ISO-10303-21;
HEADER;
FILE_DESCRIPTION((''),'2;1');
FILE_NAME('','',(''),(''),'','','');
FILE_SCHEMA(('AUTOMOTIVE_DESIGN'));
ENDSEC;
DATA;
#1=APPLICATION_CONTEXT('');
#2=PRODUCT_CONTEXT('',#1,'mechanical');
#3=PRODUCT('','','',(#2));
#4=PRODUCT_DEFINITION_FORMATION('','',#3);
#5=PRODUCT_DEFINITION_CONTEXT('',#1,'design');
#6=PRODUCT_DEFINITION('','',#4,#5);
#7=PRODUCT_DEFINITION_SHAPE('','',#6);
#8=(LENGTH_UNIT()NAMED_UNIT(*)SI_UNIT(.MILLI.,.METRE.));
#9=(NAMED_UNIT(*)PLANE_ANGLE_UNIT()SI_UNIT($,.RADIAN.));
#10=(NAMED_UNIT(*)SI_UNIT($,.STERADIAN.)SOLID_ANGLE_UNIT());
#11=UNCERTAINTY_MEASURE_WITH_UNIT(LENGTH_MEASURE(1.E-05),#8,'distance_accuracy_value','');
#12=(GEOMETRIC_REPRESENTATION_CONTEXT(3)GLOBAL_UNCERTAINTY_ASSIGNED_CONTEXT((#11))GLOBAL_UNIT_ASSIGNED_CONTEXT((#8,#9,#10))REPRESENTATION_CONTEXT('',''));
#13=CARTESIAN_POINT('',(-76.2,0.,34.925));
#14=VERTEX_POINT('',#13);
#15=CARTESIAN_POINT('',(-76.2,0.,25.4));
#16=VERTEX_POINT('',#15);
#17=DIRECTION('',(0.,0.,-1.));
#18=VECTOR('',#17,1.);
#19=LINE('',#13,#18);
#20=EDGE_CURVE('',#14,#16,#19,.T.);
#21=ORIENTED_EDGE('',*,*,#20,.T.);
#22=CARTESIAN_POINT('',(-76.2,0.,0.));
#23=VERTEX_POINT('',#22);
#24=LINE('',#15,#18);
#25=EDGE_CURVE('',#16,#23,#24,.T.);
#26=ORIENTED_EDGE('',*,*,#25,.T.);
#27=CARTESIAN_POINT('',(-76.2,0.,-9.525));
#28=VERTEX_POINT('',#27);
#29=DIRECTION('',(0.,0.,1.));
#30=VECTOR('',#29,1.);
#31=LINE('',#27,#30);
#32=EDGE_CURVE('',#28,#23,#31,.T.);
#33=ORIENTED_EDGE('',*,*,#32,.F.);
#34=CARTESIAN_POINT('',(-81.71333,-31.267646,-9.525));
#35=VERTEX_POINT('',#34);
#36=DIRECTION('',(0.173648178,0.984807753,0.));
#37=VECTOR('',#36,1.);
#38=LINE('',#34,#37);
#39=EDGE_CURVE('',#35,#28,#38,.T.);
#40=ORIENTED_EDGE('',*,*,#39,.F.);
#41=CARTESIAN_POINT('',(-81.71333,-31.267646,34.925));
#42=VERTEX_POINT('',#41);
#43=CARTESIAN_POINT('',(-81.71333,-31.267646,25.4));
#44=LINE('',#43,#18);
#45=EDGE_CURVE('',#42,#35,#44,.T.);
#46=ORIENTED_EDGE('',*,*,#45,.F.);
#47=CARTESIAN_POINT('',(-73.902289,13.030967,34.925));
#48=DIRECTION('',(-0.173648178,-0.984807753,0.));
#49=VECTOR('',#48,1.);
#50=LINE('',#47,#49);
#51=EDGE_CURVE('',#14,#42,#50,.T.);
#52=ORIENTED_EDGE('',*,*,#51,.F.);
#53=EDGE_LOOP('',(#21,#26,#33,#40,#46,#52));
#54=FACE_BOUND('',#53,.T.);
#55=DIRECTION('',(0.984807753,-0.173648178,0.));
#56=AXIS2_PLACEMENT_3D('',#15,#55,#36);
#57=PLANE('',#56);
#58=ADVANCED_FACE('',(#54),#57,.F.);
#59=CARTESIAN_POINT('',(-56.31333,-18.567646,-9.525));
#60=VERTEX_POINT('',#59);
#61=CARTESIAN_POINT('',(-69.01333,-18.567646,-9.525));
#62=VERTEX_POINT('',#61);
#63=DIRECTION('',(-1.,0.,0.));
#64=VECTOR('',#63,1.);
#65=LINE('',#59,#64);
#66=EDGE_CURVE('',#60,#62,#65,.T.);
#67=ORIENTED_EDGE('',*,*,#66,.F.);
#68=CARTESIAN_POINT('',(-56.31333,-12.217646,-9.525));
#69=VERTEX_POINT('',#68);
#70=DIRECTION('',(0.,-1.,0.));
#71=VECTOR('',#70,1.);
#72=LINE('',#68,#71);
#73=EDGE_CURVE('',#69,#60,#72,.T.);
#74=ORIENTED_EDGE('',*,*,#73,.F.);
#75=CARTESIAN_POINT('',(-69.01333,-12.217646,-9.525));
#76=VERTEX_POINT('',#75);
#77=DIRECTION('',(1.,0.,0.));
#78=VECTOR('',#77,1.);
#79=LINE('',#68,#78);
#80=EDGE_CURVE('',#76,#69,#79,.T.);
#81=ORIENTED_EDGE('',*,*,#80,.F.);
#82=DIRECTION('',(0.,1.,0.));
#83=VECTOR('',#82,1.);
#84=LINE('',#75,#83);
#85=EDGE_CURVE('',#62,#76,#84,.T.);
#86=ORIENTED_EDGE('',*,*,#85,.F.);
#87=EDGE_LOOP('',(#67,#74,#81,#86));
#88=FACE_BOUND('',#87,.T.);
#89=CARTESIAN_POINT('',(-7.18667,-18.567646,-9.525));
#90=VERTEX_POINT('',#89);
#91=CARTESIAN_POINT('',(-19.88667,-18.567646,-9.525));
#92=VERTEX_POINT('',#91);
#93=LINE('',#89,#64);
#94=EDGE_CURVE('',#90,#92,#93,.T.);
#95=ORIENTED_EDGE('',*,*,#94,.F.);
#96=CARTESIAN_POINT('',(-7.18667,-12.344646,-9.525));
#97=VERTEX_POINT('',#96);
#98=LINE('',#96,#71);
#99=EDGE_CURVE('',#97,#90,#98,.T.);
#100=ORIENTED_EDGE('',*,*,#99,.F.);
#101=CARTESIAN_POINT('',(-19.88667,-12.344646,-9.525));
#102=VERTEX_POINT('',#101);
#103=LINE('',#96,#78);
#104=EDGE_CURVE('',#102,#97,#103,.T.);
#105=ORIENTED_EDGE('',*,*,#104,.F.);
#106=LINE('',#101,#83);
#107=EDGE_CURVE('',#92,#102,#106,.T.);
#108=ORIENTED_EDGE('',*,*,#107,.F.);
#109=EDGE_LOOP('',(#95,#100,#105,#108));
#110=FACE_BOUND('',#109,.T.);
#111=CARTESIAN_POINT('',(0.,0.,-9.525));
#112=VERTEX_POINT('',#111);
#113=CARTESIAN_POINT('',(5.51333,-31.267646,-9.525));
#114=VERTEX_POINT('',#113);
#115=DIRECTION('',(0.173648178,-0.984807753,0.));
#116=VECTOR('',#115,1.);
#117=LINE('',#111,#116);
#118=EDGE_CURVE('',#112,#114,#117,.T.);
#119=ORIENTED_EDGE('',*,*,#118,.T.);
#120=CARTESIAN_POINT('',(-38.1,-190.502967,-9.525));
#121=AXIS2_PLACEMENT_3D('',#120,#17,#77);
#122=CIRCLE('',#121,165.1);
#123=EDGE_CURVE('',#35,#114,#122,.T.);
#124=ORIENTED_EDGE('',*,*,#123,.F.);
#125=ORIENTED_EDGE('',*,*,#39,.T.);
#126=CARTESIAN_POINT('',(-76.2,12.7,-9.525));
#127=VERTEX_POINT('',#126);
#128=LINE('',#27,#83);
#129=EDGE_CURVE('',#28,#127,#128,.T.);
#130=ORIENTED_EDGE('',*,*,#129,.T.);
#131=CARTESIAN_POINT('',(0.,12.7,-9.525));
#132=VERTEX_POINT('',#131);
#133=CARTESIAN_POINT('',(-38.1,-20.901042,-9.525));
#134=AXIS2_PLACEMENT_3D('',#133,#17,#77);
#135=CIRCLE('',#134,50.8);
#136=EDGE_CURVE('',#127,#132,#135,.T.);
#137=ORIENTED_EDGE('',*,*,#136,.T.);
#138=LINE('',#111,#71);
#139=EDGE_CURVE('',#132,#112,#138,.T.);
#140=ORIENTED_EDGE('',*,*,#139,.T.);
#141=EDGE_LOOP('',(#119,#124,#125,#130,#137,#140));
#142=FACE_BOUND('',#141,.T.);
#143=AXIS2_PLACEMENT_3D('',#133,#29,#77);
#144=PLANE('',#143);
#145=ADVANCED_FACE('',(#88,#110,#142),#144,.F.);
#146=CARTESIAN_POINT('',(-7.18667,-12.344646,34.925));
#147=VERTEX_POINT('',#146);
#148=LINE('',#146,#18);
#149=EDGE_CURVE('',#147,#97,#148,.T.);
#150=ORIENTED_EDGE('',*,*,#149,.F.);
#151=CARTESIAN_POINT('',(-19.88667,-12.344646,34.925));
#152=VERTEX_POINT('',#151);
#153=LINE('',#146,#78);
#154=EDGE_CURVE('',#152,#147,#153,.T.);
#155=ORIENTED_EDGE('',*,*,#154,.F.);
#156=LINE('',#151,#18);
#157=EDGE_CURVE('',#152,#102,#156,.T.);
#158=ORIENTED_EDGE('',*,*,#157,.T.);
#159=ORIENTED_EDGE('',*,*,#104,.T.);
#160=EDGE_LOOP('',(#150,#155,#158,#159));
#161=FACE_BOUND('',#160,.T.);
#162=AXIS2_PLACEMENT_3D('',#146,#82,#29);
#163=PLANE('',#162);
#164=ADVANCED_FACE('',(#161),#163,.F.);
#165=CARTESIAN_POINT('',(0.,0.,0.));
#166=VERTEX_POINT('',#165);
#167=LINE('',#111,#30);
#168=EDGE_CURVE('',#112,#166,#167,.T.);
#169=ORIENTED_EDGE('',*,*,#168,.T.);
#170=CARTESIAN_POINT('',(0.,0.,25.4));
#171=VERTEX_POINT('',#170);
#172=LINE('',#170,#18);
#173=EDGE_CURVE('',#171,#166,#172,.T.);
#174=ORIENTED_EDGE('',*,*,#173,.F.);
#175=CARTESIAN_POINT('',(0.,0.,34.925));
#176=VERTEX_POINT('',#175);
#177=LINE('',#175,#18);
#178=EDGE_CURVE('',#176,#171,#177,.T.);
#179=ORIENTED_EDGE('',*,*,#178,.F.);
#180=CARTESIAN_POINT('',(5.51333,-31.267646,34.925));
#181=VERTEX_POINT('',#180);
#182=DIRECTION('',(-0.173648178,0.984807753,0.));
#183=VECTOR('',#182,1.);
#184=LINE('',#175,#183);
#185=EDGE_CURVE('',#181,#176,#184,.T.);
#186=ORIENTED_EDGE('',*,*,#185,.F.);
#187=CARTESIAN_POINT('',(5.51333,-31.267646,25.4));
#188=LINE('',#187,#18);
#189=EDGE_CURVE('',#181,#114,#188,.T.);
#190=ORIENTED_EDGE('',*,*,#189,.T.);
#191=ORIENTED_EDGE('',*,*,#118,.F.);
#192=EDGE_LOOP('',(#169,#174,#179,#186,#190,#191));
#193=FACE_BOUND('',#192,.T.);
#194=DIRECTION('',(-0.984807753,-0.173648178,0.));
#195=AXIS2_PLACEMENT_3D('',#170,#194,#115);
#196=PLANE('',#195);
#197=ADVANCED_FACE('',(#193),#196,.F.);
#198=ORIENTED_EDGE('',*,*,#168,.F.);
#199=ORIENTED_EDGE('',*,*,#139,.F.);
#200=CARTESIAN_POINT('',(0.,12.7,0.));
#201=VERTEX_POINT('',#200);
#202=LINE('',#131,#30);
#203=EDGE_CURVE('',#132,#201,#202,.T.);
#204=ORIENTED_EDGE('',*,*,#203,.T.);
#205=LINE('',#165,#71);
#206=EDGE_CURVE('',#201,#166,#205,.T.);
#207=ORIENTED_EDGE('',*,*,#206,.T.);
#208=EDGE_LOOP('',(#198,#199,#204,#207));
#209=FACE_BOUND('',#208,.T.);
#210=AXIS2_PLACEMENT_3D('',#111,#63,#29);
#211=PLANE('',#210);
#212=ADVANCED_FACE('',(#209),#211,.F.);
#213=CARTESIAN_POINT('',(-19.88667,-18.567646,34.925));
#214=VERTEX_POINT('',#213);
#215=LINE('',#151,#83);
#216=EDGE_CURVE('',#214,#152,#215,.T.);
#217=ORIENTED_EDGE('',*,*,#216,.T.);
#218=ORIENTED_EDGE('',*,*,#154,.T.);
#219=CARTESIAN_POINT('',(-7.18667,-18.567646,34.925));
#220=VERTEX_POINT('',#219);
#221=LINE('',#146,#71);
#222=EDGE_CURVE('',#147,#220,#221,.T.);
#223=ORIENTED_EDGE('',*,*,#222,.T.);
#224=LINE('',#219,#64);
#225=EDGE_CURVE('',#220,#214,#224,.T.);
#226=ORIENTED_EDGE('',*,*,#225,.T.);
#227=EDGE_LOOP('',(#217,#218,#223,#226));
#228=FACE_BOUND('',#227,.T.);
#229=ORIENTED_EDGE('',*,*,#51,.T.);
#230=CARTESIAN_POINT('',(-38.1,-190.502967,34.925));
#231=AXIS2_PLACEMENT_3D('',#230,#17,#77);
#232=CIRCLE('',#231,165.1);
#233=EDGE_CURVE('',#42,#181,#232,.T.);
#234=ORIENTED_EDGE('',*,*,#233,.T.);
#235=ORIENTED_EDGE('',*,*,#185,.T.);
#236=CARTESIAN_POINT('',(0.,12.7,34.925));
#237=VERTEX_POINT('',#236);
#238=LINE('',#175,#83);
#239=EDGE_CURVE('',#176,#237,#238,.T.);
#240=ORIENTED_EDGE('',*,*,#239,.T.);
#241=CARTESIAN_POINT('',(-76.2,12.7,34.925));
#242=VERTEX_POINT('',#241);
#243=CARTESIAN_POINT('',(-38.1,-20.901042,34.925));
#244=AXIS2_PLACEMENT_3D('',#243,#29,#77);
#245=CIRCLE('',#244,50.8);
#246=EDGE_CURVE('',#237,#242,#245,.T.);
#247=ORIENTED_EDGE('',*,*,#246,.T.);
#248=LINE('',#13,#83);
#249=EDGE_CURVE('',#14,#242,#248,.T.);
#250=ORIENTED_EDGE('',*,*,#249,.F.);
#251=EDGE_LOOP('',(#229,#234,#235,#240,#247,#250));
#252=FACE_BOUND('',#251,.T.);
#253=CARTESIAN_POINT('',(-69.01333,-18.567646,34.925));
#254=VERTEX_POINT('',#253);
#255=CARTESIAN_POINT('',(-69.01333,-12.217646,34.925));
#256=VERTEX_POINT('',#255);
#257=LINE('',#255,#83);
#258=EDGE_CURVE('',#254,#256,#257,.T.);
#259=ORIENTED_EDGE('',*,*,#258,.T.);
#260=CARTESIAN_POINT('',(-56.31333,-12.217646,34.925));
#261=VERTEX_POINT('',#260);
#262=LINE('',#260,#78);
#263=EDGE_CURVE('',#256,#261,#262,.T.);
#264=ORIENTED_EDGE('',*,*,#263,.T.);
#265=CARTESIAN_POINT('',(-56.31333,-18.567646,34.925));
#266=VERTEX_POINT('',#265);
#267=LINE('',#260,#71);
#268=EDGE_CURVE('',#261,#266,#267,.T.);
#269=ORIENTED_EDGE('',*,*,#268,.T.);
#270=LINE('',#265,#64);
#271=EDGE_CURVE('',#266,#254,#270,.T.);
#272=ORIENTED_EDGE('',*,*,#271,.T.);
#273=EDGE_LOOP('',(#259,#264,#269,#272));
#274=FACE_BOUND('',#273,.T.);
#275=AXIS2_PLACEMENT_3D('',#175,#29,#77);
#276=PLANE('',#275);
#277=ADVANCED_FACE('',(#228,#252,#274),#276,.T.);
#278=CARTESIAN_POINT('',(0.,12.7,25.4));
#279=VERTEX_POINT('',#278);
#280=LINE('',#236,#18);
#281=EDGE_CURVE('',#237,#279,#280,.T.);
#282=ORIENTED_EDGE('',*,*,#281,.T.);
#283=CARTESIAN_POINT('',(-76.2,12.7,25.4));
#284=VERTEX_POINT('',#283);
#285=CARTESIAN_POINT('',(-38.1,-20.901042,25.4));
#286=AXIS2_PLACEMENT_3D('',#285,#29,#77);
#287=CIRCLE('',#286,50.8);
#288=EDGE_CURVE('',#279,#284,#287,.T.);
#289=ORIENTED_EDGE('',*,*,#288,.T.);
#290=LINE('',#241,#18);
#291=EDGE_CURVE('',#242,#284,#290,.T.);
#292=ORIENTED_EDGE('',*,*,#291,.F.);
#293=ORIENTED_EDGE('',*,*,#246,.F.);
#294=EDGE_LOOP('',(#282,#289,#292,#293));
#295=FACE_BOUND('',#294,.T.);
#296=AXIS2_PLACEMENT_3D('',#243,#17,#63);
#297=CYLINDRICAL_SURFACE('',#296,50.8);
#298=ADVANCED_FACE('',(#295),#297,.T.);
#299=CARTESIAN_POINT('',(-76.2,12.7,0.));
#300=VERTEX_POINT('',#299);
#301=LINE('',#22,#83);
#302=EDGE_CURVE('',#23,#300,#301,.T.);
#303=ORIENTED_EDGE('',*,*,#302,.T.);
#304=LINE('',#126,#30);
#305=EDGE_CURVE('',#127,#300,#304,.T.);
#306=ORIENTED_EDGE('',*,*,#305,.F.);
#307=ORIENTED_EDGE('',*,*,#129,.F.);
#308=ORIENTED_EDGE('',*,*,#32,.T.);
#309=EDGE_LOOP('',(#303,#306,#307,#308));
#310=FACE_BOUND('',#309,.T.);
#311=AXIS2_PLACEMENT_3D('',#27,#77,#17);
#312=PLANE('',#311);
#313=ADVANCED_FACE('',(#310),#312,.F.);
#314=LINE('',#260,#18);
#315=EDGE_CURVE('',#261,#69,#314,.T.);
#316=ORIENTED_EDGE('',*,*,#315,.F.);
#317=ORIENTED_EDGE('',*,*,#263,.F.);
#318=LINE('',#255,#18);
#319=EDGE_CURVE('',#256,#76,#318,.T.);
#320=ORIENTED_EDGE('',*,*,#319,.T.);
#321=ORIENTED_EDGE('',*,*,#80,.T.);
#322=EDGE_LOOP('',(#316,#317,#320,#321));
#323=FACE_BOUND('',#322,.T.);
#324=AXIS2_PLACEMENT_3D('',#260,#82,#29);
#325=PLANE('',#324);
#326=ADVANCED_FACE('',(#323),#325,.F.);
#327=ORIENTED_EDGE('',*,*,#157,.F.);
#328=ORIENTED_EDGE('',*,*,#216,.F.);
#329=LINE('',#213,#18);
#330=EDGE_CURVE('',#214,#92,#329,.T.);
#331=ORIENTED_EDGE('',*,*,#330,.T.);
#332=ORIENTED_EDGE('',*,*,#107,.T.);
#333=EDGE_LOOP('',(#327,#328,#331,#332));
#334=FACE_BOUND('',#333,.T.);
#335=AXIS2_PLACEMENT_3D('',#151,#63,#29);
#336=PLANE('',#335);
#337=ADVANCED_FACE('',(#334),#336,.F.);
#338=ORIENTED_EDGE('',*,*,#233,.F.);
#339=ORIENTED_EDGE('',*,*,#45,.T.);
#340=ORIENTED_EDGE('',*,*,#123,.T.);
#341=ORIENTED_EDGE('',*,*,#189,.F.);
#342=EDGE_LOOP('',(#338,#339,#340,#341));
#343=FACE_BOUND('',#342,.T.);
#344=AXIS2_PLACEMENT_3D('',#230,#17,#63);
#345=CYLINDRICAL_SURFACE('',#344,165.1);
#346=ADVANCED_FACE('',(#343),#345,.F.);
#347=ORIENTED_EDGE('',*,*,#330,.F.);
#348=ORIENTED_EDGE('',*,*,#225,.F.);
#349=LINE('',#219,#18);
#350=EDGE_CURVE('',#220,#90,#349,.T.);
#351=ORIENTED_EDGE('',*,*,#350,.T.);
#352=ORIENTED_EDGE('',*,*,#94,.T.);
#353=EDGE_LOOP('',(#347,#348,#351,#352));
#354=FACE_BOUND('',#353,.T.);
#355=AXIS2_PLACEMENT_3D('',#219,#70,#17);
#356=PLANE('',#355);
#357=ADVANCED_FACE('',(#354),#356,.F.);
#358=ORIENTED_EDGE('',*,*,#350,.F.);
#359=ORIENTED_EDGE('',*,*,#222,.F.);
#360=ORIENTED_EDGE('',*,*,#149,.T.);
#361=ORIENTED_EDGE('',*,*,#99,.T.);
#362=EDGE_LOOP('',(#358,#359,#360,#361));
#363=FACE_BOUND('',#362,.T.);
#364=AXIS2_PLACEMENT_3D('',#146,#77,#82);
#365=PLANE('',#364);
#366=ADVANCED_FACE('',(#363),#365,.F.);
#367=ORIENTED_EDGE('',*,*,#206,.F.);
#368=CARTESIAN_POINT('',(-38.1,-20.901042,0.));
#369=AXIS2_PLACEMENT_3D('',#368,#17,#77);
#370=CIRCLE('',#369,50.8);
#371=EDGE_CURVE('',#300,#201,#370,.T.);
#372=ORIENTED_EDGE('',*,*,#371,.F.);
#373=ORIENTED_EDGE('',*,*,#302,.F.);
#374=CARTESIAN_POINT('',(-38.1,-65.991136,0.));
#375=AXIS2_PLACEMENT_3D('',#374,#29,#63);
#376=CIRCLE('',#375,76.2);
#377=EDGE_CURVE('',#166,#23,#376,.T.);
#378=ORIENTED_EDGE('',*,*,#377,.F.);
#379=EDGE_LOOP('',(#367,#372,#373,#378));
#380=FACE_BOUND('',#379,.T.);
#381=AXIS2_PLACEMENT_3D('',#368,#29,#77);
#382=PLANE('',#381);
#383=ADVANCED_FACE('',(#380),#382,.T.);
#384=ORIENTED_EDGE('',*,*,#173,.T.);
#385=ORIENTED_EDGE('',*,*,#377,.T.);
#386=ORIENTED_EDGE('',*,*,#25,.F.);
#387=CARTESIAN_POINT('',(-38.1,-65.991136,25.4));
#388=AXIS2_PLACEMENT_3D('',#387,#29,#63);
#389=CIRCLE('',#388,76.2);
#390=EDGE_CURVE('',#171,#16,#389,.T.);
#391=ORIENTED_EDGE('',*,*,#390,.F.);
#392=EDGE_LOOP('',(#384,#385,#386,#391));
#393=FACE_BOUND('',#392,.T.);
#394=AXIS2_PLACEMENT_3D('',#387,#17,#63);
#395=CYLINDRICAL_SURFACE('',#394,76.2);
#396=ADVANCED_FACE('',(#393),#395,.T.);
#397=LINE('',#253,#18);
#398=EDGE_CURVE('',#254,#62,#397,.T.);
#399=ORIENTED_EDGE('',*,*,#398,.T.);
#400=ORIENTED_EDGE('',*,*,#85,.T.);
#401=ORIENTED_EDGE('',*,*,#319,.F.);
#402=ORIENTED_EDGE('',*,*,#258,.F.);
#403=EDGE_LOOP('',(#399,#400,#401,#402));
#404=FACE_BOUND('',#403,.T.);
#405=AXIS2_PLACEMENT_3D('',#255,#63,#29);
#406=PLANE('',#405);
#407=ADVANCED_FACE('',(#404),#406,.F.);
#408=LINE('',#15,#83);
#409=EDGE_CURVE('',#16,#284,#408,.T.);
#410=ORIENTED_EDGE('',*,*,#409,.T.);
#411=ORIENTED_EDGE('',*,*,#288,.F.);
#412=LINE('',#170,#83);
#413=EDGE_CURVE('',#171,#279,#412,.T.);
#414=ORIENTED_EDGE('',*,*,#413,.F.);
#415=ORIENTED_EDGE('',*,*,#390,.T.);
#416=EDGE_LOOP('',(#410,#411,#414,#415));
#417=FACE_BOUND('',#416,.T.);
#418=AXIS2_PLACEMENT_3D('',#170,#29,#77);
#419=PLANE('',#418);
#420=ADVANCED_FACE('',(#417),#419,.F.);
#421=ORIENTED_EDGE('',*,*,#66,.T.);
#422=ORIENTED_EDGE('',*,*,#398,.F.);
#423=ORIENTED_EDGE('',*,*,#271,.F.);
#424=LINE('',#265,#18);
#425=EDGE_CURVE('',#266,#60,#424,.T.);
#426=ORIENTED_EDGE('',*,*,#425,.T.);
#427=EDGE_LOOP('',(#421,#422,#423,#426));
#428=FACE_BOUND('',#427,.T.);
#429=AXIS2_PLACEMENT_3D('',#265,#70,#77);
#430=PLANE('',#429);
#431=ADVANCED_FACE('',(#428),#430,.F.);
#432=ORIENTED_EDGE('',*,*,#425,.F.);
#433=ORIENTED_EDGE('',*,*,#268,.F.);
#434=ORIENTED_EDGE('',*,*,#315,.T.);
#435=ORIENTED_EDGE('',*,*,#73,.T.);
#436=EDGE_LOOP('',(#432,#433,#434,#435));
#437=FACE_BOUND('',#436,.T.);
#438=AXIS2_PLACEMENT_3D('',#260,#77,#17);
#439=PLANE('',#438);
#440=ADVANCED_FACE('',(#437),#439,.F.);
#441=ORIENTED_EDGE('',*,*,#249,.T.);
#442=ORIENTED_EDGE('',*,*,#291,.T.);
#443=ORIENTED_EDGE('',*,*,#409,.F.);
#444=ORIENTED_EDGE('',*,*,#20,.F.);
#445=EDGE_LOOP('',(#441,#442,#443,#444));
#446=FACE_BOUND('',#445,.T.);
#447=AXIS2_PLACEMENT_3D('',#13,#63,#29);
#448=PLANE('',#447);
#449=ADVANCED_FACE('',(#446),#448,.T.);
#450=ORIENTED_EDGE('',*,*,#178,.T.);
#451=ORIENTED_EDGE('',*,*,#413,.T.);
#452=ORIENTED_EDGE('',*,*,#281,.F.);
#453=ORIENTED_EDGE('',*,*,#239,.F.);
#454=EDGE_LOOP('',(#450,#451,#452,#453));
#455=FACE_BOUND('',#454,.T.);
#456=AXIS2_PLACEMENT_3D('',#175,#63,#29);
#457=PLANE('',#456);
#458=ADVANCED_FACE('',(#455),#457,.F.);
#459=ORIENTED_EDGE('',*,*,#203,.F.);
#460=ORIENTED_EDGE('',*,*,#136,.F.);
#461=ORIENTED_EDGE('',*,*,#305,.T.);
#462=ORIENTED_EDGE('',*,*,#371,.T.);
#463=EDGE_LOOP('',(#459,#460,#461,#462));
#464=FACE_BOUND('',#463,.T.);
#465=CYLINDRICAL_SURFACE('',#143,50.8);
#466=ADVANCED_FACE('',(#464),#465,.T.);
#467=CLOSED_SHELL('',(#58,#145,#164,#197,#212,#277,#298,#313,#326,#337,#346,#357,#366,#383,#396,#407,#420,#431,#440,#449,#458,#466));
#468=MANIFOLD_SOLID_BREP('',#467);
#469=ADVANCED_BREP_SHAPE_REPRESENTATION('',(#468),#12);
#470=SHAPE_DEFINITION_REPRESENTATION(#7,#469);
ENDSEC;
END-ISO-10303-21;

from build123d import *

# Parameters (mm, degrees)
BOSS_EXTRUDE1_DEPTH = 25.4
BOSS_EXTRUDE2_DEPTH = 9.525
BOSS_EXTRUDE3_START = 9.525
BOSS_EXTRUDE3_DEPTH = 9.525
CUT_EXTRUDE2_DEPTH  = 99.135296592
SKETCH6_W           = 12.7
SKETCH6_H           = 6.223
SKETCH6_H_2         = 6.35
CUT_EXTRUDE3_DEPTH  = 99.135296592


with BuildPart() as part:
    # Sketch1 → Boss-Extrude1 (new body)
    with BuildSketch(Plane.XY):
        with BuildLine():
            Line((-76.2, 0), (-81.713329641, -31.267646158))
            Line((-81.713329641, -31.267646158), (5.513329641, -31.267646158))
            Line((5.513329641, -31.267646158), (0, 0))
            ThreePointArc((0, 0), (-38.1, 10.208864232), (-76.2, 0))
        make_face()
    extrude(amount=BOSS_EXTRUDE1_DEPTH)

    # Sketch2 → Boss-Extrude2 (add)
    with BuildSketch(Plane.XY.offset(25.4)):
        with BuildLine():
            Line((-76.2, 12.7), (-76.2, 0))
            Line((-76.2, 0), (-81.713329641, -31.267646158))
            Line((-81.713329641, -31.267646158), (5.513329641, -31.267646158))
            Line((5.513329641, -31.267646158), (0, 0))
            Line((0, 0), (0, 12.7))
            ThreePointArc((0, 12.7), (-38.1, 29.898958349), (-76.2, 12.7))
        make_face()
    extrude(amount=BOSS_EXTRUDE2_DEPTH)

    # Sketch3 → Boss-Extrude3 (add)
    with BuildSketch(Plane(origin=(0, 0, 0), x_dir=(-1, 0, 0), z_dir=(0, 0, -1)).offset(BOSS_EXTRUDE3_START)):
        with BuildLine():
            Line((0, 0), (0, 12.7))
            ThreePointArc((0, 12.7), (38.1, 29.898958349), (76.2, 12.7))
            Line((76.2, 12.7), (76.2, 0))
            Line((76.2, 0), (81.713329641, -31.267646158))
            Line((81.713329641, -31.267646158), (-5.513329641, -31.267646158))
            Line((-5.513329641, -31.267646158), (0, 0))
        make_face()
    extrude(amount=-BOSS_EXTRUDE3_DEPTH)

    # Sketch5 → Cut-Extrude2 (cut, through all)
    with BuildSketch(Plane(origin=(0, 0, -9.525), x_dir=(-1, 0, 0), z_dir=(0, 0, -1))):
        with BuildLine():
            Line((-5.513329641, -31.267646158), (81.713329641, -31.267646158))
            ThreePointArc((81.713329641, -31.267646158), (38.1, -25.402967232), (-5.513329641, -31.267646158))
        make_face()
    extrude(amount=-CUT_EXTRUDE2_DEPTH, mode=Mode.SUBTRACT)

    # Sketch6 → Cut-Extrude3 (cut, through all)
    with BuildSketch(Plane(origin=(0, 0, -9.525), x_dir=(-1, 0, 0), z_dir=(0, 0, -1))):
        with Locations((13.536670359, -15.456146158)):
            Rectangle(SKETCH6_W, SKETCH6_H)
        with Locations((62.663329641, -15.392646158)):
            Rectangle(SKETCH6_W, SKETCH6_H_2)
    extrude(amount=-CUT_EXTRUDE3_DEPTH, mode=Mode.SUBTRACT)


solid = part.part
